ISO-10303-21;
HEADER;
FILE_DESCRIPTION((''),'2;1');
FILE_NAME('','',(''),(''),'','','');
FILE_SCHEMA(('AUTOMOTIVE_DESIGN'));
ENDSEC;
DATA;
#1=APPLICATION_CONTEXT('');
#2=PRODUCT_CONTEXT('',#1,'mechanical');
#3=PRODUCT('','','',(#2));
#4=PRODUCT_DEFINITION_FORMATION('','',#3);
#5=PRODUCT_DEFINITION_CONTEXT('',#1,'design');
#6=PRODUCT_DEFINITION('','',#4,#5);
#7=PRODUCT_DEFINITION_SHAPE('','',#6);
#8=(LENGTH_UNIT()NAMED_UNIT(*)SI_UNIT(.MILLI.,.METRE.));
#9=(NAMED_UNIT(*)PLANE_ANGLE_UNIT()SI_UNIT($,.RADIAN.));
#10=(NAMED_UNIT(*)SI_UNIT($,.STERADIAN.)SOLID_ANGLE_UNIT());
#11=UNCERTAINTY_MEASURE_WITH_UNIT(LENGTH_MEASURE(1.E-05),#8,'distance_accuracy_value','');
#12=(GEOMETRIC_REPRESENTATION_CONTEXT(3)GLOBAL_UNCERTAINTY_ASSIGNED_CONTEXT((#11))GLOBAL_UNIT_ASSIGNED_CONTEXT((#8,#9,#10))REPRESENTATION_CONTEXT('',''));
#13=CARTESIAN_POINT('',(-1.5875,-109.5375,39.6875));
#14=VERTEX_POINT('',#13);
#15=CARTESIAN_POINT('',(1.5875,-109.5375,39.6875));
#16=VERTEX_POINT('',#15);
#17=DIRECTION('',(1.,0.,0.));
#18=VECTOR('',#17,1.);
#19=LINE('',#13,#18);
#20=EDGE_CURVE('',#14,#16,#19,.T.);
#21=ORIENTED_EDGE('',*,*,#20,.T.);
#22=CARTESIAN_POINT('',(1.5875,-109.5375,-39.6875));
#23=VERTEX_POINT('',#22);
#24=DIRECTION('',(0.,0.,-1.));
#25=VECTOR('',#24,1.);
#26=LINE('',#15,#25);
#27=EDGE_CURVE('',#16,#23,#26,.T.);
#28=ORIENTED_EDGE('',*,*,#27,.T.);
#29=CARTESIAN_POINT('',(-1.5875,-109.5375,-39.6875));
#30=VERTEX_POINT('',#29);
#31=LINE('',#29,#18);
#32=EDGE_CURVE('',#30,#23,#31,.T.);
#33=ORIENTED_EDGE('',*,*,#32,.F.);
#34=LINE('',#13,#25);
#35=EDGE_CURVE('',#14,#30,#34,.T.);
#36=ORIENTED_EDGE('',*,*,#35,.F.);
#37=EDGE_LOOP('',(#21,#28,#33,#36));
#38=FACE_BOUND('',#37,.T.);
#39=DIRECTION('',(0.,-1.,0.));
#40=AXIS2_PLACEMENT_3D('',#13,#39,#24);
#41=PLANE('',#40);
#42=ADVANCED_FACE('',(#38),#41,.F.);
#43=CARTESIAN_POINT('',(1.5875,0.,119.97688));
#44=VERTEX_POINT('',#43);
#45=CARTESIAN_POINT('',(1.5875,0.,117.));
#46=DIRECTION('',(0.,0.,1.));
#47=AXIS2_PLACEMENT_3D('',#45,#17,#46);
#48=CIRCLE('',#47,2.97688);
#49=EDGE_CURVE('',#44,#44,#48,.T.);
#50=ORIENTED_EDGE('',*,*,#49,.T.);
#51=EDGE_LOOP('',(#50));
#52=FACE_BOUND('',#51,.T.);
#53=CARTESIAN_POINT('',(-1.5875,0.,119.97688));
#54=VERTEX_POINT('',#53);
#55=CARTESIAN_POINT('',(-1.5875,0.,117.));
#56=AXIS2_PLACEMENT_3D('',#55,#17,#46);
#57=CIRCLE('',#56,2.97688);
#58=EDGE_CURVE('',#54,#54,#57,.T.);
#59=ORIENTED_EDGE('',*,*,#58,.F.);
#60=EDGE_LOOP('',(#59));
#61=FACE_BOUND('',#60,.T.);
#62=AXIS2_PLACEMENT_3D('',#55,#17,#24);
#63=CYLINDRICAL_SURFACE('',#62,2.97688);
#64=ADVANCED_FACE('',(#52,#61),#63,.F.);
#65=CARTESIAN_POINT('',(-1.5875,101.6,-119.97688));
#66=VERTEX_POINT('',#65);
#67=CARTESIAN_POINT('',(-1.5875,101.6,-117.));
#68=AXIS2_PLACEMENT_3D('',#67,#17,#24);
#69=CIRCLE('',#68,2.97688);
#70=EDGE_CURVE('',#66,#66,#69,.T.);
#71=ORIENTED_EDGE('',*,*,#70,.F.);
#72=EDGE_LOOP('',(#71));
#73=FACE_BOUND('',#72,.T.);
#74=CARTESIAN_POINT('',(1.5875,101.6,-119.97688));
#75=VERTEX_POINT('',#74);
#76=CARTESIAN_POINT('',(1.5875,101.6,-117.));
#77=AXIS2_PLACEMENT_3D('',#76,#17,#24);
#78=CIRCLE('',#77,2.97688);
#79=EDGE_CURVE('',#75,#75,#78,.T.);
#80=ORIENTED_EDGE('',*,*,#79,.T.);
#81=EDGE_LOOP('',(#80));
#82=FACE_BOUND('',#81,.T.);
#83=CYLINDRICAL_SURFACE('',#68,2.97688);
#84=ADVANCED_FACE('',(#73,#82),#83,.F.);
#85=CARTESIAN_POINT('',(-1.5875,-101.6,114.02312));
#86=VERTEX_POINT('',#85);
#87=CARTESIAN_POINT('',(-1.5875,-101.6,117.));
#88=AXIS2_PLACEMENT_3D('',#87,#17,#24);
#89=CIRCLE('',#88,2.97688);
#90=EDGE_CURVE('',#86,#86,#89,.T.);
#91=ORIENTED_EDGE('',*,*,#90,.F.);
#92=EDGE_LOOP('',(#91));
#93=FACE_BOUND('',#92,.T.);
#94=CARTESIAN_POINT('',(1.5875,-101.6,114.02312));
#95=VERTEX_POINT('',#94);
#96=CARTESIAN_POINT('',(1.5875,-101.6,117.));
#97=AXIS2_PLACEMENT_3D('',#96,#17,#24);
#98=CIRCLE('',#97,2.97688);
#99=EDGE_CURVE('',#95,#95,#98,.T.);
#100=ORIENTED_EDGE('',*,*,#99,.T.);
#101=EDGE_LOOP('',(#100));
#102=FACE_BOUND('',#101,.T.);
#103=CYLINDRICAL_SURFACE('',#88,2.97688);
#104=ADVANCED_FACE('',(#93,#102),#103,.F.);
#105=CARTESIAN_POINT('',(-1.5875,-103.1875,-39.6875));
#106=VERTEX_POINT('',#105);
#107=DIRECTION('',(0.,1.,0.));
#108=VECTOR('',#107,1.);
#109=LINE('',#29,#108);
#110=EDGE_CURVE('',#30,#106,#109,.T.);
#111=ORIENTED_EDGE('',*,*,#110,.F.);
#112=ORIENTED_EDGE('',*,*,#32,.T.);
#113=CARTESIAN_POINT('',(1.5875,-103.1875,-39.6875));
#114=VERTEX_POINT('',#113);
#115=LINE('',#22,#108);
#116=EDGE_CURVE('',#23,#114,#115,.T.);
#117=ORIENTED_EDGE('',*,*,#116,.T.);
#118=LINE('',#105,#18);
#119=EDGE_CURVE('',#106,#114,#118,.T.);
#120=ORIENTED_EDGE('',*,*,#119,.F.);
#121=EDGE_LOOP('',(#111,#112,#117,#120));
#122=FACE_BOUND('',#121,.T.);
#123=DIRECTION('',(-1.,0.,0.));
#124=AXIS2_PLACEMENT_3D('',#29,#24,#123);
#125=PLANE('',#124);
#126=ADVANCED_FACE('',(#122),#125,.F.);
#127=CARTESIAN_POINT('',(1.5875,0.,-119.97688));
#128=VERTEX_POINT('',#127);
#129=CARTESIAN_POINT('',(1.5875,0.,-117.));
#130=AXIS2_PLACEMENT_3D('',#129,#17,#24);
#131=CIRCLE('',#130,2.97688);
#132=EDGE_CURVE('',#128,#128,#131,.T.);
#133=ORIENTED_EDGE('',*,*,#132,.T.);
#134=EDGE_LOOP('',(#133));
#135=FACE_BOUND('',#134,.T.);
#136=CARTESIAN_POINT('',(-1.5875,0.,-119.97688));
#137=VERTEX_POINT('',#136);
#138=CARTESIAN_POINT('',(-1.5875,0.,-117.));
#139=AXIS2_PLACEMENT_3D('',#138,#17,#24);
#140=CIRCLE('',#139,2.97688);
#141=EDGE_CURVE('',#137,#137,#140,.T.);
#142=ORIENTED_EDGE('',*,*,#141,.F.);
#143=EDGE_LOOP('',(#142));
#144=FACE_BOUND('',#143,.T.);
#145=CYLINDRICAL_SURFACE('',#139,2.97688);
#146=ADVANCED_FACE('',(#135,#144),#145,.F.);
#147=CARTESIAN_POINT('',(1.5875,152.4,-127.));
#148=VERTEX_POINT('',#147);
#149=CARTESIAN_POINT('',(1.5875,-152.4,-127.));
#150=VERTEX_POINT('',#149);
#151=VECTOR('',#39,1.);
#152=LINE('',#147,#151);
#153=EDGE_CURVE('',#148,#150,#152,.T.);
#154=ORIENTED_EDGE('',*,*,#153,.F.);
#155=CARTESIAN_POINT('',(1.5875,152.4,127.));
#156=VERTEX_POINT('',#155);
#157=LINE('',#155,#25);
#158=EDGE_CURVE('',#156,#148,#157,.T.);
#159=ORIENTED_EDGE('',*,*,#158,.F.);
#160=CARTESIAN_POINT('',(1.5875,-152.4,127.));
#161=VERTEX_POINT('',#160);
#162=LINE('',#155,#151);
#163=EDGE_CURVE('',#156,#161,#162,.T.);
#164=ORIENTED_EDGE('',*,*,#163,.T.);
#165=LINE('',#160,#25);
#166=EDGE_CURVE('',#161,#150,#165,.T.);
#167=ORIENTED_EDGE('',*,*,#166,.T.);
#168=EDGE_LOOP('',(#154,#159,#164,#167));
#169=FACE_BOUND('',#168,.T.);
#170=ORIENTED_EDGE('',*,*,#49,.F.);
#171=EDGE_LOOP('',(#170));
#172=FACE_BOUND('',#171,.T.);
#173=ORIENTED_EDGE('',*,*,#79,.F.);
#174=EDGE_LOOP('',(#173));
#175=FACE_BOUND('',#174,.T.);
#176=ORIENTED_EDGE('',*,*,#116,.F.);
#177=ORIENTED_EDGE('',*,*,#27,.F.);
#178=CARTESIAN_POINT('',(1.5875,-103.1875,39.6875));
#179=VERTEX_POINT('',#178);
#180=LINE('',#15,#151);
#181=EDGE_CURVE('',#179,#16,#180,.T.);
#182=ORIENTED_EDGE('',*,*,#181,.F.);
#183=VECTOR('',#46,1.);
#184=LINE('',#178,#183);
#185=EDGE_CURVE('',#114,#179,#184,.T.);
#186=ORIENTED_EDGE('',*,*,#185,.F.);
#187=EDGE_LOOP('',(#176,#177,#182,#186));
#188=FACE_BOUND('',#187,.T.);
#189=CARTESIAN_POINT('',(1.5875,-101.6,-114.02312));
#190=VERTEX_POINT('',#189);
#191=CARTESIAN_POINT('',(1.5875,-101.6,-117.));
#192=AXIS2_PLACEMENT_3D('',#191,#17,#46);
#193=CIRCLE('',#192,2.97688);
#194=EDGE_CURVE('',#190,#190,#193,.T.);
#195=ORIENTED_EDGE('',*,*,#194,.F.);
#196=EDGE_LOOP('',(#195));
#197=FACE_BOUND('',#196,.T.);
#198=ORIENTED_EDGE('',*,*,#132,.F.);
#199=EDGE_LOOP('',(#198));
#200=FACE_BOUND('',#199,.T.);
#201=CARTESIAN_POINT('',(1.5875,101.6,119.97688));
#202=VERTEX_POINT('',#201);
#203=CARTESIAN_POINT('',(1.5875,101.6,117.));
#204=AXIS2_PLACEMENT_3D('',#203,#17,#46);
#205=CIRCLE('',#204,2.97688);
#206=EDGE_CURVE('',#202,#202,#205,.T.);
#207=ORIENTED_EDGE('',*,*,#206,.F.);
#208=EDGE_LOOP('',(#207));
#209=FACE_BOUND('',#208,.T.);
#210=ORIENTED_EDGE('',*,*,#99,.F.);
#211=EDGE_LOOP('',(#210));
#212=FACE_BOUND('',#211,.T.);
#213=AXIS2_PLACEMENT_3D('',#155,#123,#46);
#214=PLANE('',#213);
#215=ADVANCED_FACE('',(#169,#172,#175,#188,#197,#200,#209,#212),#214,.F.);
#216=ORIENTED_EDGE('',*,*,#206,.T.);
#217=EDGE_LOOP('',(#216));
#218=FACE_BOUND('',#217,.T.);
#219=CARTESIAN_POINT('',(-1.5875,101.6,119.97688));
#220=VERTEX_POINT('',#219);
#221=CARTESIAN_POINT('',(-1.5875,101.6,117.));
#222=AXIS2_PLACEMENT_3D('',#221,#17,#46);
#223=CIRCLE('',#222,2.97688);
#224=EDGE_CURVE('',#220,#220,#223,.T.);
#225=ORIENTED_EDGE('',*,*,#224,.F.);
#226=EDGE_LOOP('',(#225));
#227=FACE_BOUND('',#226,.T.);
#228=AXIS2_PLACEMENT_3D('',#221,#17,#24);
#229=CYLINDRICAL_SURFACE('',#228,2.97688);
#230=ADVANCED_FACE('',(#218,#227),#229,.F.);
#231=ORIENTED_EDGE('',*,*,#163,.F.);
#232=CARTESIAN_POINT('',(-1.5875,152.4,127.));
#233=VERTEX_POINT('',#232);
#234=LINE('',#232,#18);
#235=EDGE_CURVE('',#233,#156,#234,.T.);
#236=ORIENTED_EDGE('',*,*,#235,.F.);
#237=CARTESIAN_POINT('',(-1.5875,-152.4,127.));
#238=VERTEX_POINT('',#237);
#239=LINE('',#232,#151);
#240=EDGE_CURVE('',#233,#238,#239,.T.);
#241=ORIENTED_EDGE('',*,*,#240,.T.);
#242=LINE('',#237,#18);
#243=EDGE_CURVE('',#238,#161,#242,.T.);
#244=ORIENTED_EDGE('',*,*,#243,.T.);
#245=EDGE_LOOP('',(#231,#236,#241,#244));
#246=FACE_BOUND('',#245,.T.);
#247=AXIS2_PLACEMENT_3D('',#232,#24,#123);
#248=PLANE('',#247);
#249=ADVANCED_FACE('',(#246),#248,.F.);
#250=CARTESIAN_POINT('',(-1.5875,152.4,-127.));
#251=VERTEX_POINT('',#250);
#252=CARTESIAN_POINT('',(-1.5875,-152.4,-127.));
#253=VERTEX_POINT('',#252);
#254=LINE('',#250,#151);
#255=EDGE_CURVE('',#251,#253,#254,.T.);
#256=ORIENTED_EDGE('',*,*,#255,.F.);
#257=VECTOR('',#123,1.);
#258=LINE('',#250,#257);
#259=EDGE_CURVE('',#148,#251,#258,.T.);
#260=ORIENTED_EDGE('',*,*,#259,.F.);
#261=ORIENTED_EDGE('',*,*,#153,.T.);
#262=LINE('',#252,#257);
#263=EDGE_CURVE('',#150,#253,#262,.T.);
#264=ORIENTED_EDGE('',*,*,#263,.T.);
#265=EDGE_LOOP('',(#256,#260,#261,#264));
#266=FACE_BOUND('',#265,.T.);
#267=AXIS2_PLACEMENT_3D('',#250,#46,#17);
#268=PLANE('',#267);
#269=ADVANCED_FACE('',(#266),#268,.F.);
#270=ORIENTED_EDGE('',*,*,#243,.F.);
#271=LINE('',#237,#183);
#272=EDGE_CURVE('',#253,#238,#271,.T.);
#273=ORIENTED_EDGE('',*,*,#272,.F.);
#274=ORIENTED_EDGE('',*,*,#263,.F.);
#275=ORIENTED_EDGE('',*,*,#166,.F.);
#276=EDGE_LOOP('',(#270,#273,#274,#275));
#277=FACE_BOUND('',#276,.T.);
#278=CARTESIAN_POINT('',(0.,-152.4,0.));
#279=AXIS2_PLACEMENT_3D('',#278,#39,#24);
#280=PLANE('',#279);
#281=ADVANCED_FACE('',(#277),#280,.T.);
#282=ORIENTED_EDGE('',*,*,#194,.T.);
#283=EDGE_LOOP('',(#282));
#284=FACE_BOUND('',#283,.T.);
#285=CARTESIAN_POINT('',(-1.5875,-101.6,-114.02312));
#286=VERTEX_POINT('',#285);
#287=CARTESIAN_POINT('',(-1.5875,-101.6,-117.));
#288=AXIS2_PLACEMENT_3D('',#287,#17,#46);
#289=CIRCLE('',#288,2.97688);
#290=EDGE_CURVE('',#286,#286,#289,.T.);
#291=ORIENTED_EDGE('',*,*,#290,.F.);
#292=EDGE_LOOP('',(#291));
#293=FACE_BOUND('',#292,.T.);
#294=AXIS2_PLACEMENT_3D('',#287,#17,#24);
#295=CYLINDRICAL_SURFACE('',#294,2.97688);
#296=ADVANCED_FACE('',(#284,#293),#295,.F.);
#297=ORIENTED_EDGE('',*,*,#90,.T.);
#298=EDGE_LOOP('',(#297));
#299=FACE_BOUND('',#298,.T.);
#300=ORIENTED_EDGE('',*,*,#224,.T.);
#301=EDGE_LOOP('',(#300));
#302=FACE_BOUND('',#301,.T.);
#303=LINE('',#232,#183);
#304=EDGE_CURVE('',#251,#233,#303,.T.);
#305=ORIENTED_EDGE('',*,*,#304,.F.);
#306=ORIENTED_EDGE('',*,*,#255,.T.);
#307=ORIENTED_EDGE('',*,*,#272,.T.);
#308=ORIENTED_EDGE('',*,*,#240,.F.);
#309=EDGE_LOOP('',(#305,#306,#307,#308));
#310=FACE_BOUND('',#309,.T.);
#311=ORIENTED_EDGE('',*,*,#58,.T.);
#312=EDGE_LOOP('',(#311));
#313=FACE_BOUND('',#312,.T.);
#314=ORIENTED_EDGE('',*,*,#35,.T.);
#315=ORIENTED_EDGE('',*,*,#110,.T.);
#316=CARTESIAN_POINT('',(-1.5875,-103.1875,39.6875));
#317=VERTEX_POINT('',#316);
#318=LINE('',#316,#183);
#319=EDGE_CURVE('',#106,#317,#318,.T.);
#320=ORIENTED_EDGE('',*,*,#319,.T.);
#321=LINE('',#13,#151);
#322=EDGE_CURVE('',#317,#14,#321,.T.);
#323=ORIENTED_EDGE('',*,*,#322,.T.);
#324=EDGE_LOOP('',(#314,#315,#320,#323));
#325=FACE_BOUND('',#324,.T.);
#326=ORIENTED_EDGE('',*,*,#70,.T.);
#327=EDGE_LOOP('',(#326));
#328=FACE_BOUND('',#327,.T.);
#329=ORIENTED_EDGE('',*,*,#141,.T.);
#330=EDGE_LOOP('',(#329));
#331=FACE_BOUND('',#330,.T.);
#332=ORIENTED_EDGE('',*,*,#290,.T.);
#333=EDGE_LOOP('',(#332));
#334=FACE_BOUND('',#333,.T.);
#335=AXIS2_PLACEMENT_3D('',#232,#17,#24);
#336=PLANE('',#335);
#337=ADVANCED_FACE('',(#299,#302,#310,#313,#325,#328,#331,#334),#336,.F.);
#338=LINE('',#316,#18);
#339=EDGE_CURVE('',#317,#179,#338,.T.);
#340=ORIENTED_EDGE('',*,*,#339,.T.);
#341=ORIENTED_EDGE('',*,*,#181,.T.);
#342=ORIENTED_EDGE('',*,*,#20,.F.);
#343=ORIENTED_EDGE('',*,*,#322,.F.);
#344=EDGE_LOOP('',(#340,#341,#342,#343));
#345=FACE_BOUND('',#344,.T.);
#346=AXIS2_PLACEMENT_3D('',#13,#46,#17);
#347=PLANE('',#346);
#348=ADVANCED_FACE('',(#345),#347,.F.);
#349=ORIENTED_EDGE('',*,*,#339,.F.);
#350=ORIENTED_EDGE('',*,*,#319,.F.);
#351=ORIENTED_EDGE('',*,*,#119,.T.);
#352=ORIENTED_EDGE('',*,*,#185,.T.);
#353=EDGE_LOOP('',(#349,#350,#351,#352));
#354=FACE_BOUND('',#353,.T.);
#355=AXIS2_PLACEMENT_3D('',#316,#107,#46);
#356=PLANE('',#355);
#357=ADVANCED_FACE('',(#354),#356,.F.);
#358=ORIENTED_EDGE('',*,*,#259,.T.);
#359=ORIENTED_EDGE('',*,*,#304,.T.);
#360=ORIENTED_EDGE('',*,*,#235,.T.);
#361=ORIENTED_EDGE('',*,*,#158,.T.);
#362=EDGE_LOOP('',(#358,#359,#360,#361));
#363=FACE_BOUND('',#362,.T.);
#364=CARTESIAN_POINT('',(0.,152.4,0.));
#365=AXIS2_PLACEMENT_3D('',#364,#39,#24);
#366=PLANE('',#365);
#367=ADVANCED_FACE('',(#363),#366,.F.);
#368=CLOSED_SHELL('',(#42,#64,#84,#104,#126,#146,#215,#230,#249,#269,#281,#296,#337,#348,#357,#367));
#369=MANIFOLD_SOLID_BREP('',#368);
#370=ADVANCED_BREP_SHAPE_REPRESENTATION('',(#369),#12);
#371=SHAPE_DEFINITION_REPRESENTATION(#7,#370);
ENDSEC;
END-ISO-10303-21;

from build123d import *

# Parameters (mm, degrees)
SKETCH1_W           = 3.175
SKETCH1_H           = 254
BOSS_EXTRUDE1_DEPTH = 152.4
SKETCH2_W           = 79.375
SKETCH2_H           = 6.35
CUT_EXTRUDE1_DEPTH  = 3.175
SKETCH3_R           = 2.97688
CUT_EXTRUDE2_DEPTH  = 3.175


with BuildPart() as part:
    # Sketch1 → Boss-Extrude1 (new, symmetric)
    with BuildSketch(Plane(origin=(0, 0, 0), x_dir=(1, 0, 0), z_dir=(0, 1, 0))):
        Rectangle(SKETCH1_W, SKETCH1_H)
    extrude(amount=BOSS_EXTRUDE1_DEPTH, both=True)

    # Sketch2 → Cut-Extrude1 (cut)
    with BuildSketch(Plane(origin=(1.5875, 0, 0), x_dir=(0, 0, -1), z_dir=(1, 0, 0))):
        with Locations((0, -106.3625)):
            Rectangle(SKETCH2_W, SKETCH2_H)
    extrude(amount=-CUT_EXTRUDE1_DEPTH, mode=Mode.SUBTRACT)

    # Sketch3 → Cut-Extrude2 (cut)
    with BuildSketch(Plane(origin=(1.5875, 0, 0), x_dir=(0, 0, -1), z_dir=(1, 0, 0))):
        with Locations((117, 0)):
            Circle(SKETCH3_R)
        with Locations((117, 101.6)):
            Circle(SKETCH3_R)
        with Locations(Location((117, -101.6, 0), (0, 0, 180))):
            Circle(SKETCH3_R)
        with Locations((-117, -101.6)):
            Circle(SKETCH3_R)
        with Locations(Location((-117, 0, 0), (0, 0, 180))):
            Circle(SKETCH3_R)
        with Locations(Location((-117, 101.6, 0), (0, 0, 180))):
            Circle(SKETCH3_R)
    extrude(amount=-CUT_EXTRUDE2_DEPTH, mode=Mode.SUBTRACT)


solid = part.part
